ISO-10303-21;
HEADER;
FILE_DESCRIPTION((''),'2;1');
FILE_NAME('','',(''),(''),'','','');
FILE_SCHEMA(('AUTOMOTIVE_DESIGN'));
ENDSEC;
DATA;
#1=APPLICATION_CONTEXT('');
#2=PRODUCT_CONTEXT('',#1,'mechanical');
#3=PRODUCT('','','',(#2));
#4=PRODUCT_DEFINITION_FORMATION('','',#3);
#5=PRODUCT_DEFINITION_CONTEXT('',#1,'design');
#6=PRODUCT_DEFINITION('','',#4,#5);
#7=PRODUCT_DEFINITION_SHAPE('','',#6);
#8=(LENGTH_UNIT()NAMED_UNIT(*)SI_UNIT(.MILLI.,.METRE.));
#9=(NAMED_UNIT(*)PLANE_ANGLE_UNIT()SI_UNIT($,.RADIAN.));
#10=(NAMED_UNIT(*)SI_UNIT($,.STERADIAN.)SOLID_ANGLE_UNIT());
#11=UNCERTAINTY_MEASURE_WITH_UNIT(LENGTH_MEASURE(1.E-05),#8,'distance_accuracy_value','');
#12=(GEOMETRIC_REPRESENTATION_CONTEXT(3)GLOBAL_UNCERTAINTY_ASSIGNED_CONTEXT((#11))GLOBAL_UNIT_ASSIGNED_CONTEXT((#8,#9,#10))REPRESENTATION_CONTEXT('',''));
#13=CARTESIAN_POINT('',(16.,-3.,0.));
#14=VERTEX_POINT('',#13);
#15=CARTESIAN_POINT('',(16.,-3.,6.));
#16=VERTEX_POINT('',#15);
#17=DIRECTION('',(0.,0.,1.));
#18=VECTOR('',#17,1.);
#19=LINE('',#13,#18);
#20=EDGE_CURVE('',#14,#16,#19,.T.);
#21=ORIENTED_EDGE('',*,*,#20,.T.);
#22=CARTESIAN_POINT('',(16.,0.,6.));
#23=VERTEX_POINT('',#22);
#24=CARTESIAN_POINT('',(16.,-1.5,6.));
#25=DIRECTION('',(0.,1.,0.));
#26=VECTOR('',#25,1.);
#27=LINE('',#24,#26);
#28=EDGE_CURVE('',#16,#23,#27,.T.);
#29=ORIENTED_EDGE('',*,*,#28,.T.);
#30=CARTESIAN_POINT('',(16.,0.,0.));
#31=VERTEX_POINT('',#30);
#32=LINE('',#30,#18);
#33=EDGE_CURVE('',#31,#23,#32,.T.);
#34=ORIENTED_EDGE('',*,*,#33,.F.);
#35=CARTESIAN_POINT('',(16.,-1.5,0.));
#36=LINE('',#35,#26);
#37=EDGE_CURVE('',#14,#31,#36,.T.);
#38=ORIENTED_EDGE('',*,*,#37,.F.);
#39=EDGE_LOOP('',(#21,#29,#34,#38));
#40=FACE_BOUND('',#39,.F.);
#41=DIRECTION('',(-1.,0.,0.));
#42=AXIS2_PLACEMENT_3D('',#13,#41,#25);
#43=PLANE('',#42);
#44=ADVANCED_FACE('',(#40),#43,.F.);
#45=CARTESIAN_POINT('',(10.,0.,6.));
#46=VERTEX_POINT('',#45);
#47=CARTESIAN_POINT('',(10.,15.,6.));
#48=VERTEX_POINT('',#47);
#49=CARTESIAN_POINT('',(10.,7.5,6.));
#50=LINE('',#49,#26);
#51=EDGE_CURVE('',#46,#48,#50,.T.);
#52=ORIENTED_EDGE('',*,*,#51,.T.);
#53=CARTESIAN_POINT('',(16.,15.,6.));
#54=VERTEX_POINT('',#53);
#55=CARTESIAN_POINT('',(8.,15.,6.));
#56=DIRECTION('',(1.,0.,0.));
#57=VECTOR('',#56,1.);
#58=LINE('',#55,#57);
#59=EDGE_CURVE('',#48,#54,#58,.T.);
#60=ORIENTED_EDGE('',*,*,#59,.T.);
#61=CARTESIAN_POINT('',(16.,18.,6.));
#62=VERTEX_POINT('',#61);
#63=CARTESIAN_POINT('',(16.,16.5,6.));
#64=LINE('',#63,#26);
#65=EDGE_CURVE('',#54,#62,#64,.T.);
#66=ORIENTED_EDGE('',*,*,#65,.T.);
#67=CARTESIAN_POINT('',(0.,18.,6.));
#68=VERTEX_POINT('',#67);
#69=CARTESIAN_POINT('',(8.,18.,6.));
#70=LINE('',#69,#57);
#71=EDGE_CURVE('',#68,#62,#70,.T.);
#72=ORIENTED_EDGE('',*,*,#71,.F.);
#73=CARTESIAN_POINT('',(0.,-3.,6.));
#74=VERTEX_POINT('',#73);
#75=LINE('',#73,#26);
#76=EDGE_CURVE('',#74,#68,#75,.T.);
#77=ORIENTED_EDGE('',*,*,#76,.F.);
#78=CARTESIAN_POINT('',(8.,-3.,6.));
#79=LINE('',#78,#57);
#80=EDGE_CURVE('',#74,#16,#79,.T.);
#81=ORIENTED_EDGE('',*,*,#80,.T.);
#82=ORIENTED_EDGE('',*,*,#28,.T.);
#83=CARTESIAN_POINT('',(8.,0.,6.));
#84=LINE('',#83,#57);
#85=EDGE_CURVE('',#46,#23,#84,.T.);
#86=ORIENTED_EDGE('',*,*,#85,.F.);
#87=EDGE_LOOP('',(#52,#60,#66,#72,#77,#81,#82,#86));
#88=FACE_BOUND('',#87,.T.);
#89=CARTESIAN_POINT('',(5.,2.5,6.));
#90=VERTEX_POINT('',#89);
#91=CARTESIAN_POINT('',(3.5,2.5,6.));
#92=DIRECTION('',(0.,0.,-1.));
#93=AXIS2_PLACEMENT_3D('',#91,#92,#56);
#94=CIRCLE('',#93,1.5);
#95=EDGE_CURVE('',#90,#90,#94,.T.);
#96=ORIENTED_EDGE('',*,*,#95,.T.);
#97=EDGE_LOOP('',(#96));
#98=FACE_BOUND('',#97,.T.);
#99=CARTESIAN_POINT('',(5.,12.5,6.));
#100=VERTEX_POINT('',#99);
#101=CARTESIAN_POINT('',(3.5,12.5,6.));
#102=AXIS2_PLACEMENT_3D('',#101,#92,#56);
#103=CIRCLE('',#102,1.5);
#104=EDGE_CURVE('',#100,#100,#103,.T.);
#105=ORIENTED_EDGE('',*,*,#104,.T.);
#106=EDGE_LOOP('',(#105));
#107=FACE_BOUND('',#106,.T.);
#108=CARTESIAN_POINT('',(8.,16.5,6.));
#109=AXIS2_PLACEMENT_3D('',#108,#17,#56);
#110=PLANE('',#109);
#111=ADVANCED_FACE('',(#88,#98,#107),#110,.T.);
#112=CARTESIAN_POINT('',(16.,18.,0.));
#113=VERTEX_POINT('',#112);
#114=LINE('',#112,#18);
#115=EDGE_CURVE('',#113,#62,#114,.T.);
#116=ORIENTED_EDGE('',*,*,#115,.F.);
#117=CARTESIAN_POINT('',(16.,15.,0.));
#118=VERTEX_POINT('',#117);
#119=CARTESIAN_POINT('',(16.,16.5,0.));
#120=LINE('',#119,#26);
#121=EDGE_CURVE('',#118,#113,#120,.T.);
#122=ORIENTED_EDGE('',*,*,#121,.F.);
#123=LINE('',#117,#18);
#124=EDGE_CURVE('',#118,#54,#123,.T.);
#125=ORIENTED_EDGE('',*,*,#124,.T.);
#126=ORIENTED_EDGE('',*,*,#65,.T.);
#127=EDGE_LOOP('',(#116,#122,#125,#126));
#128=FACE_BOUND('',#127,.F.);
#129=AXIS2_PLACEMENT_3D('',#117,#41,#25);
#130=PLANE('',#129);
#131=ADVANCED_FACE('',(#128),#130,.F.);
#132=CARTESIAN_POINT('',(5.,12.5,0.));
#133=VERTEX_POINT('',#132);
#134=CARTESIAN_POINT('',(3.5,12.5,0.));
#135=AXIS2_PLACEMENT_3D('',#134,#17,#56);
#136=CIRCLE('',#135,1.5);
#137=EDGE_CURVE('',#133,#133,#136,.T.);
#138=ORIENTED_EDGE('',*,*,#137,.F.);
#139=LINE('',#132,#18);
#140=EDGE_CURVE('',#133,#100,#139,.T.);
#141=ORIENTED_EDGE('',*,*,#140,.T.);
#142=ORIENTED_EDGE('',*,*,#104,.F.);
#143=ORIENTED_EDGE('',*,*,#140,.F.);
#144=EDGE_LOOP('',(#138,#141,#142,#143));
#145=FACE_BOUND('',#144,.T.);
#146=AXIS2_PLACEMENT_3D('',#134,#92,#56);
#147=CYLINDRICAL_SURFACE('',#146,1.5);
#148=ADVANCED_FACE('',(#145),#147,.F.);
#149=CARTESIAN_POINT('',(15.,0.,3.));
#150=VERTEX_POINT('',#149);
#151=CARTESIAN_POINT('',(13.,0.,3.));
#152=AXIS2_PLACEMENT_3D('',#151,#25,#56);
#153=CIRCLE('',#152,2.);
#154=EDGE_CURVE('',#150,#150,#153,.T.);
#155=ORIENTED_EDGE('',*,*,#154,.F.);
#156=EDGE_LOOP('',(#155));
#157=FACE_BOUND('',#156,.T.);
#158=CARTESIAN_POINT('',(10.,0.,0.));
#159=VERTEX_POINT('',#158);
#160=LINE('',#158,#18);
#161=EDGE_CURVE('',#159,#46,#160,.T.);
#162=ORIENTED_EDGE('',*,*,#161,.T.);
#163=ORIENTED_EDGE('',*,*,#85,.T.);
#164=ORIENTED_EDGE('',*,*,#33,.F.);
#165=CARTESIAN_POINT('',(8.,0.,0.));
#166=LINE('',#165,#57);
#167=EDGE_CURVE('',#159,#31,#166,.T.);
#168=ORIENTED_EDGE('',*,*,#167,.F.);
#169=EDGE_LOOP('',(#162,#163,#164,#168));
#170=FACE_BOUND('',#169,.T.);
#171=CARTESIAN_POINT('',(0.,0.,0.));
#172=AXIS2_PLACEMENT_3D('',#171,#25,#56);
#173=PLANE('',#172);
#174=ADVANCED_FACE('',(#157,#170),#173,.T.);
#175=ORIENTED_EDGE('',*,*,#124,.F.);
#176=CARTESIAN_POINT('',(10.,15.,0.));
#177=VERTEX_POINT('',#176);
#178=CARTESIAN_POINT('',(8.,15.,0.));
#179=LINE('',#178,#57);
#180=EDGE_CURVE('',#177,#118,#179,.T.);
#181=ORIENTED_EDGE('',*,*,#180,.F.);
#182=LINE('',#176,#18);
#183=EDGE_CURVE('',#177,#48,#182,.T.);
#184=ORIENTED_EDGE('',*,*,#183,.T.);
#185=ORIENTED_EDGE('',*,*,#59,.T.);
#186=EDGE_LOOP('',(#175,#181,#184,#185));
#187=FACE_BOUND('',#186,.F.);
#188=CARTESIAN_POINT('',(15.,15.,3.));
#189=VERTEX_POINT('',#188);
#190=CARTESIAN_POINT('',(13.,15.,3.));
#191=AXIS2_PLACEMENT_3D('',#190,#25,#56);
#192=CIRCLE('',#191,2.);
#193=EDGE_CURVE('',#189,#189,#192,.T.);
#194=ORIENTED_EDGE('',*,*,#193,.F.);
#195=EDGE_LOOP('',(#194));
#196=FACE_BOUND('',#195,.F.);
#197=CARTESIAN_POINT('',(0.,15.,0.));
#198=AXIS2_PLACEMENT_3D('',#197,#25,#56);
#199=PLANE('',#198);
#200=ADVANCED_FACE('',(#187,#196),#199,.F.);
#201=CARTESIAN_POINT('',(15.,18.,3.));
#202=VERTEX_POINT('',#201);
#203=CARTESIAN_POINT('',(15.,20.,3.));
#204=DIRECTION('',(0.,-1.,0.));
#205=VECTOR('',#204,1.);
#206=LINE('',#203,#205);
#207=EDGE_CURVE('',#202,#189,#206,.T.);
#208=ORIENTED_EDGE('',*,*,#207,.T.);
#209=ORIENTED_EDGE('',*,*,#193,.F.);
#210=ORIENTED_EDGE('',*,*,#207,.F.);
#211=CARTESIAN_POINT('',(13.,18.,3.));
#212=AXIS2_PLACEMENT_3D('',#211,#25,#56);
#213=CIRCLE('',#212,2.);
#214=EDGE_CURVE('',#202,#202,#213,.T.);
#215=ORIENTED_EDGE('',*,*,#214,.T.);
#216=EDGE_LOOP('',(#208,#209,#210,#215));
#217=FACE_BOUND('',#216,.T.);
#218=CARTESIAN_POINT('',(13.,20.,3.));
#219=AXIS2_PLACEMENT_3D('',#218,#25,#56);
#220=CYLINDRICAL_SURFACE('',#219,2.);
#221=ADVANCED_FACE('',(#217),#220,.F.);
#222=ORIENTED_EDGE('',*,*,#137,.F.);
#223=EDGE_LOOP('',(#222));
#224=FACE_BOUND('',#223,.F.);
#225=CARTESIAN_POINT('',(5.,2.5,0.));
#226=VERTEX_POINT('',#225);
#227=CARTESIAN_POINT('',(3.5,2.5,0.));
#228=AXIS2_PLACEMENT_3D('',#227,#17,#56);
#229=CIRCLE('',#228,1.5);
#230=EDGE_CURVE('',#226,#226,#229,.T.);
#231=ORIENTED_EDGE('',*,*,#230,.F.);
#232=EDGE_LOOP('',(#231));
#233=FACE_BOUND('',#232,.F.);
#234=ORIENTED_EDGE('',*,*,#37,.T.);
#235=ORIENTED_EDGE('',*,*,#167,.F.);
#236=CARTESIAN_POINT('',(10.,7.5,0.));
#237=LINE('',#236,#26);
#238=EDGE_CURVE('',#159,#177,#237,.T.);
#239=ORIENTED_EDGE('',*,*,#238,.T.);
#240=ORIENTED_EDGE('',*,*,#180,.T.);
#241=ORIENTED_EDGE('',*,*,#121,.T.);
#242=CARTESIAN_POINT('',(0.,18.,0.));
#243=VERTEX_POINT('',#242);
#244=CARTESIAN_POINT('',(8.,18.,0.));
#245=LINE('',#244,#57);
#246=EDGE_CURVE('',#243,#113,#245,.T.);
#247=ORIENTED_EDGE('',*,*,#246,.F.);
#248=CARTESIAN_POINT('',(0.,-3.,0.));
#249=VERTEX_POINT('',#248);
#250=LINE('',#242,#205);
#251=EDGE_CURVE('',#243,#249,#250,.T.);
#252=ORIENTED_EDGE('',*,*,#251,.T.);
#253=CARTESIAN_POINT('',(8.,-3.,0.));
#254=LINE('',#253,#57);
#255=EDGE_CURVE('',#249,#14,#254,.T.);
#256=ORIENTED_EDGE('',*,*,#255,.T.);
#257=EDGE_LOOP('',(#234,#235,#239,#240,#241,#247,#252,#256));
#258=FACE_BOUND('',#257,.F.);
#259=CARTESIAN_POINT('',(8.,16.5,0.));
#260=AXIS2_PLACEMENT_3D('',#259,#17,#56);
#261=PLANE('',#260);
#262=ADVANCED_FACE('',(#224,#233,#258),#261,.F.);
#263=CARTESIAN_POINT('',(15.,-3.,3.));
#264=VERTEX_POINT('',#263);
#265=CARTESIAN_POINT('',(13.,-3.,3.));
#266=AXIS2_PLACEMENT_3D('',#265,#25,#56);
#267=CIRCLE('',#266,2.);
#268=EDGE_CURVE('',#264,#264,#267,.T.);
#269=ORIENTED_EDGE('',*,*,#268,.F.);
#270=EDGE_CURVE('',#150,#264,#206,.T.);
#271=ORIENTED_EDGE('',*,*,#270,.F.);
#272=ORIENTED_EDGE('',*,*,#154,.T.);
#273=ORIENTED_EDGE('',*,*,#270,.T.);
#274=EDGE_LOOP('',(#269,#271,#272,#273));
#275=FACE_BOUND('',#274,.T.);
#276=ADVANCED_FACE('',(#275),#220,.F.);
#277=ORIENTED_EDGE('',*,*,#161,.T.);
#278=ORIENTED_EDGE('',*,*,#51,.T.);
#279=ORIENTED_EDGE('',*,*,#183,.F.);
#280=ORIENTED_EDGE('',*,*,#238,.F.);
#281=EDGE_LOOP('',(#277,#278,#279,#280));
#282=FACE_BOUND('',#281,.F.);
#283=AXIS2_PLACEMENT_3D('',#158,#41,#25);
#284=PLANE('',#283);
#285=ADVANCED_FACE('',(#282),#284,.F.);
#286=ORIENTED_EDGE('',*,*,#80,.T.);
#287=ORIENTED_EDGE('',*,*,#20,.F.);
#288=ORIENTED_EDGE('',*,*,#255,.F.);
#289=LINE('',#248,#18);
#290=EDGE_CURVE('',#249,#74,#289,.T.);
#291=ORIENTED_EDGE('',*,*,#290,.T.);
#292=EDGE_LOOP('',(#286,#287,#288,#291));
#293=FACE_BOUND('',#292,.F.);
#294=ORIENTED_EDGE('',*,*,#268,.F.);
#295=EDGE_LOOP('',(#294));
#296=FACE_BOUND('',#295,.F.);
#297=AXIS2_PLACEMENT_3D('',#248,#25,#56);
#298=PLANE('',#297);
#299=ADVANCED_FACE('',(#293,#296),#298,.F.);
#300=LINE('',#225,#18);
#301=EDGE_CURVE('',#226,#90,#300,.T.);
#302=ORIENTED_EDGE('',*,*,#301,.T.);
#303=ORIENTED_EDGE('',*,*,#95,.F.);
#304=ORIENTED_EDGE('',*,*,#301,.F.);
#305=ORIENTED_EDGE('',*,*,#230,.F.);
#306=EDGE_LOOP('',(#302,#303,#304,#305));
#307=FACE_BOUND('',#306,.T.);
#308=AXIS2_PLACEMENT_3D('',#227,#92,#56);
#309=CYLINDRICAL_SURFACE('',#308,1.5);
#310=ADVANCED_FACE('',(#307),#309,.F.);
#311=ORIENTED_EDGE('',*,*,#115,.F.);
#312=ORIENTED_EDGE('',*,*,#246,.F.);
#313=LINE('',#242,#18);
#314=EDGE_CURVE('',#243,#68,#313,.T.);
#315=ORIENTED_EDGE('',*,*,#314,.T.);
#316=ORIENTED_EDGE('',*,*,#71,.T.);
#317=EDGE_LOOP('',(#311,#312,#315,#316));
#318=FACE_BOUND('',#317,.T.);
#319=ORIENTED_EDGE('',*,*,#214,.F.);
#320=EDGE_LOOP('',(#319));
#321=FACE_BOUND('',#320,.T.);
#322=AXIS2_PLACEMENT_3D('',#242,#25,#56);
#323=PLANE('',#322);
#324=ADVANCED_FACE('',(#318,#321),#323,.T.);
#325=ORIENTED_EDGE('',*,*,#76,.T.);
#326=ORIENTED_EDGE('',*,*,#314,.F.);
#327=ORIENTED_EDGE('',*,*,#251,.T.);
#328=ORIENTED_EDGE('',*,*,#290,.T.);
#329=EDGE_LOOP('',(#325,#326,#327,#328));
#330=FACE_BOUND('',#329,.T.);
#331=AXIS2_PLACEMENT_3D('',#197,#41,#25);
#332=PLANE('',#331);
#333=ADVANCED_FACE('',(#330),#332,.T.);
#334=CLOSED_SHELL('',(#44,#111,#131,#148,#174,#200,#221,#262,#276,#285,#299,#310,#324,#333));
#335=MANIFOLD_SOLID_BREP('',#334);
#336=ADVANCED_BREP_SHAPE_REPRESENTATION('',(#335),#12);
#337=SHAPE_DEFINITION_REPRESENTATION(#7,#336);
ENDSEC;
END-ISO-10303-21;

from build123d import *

# Parameters (mm, degrees)
CYLINDER001_R          = 1.5
CYLINDER001_DEPTH      = 10
CYLINDER_R             = 1.5
CYLINDER_DEPTH         = 10
CYLINDER002_R          = 2
CYLINDER002_DEPTH      = 30
CYLINDER002_ROLL_ANGLE = 90
BOX_W                  = 10
BOX_H                  = 15
BOX_DEPTH              = 6
BOX002_W               = 16
BOX002_H               = 3
BOX002_DEPTH           = 6
BOX001_W               = 16
BOX001_H               = 3
BOX001_DEPTH           = 6


with BuildPart() as cylinder001:
    # Cylinder001 → Cylinder001 (new body)
    with BuildSketch(Plane(origin=(3.5, 12.5, 0), x_dir=(1, 0, 0), z_dir=(0, 0, 1))):
        Circle(CYLINDER001_R)
    extrude(amount=CYLINDER001_DEPTH)


with BuildPart() as cylinder:
    # Cylinder → Cylinder (new body)
    with BuildSketch(Plane(origin=(3.5, 2.5, 0), x_dir=(1, 0, 0), z_dir=(0, 0, 1))):
        Circle(CYLINDER_R)
    extrude(amount=CYLINDER_DEPTH)


with BuildPart() as cylinder002:
    # Cylinder002 → Cylinder002 (new body)
    with BuildSketch(Plane.XY):
        Circle(CYLINDER002_R)
    extrude(amount=CYLINDER002_DEPTH)


with BuildPart() as cylinder002_1:
    # Cylinder002 roll: moved
    add(cylinder002.part.rotate(Axis((0, 0, 0), (1, 0, 0)), CYLINDER002_ROLL_ANGLE))


with BuildPart() as cylinder002_2:
    # Cylinder002 placement: moved
    add(cylinder002_1.part.moved(Location((13, 20, 3))))


with BuildPart() as cube:
    # Box → Box (new body)
    with BuildSketch(Plane.XY):
        with Locations((5, 7.5)):
            Rectangle(BOX_W, BOX_H)
    extrude(amount=BOX_DEPTH)


with BuildPart() as cube002:
    # Box002 → Box002 (new body)
    with BuildSketch(Plane(origin=(0, 15, 0), x_dir=(1, 0, 0), z_dir=(0, 0, 1))):
        with Locations((8, 1.5)):
            Rectangle(BOX002_W, BOX002_H)
    extrude(amount=BOX002_DEPTH)


with BuildPart() as cut002:
    # Box001 → Box001 (new body)
    with BuildSketch(Plane(origin=(0, -3, 0), x_dir=(1, 0, 0), z_dir=(0, 0, 1))):
        with Locations((8, 1.5)):
            Rectangle(BOX001_W, BOX001_H)
    extrude(amount=BOX001_DEPTH)

    # Fusion: union Cube, Cube002
    add(cube.part)
    add(cube002.part)

    # Cut: cut Cylinder002
    add(cylinder002_2.part, mode=Mode.SUBTRACT)

    # Cut001: cut Cylinder
    add(cylinder.part, mode=Mode.SUBTRACT)

    # Cut002: cut Cylinder001
    add(cylinder001.part, mode=Mode.SUBTRACT)


solid = cut002.part
